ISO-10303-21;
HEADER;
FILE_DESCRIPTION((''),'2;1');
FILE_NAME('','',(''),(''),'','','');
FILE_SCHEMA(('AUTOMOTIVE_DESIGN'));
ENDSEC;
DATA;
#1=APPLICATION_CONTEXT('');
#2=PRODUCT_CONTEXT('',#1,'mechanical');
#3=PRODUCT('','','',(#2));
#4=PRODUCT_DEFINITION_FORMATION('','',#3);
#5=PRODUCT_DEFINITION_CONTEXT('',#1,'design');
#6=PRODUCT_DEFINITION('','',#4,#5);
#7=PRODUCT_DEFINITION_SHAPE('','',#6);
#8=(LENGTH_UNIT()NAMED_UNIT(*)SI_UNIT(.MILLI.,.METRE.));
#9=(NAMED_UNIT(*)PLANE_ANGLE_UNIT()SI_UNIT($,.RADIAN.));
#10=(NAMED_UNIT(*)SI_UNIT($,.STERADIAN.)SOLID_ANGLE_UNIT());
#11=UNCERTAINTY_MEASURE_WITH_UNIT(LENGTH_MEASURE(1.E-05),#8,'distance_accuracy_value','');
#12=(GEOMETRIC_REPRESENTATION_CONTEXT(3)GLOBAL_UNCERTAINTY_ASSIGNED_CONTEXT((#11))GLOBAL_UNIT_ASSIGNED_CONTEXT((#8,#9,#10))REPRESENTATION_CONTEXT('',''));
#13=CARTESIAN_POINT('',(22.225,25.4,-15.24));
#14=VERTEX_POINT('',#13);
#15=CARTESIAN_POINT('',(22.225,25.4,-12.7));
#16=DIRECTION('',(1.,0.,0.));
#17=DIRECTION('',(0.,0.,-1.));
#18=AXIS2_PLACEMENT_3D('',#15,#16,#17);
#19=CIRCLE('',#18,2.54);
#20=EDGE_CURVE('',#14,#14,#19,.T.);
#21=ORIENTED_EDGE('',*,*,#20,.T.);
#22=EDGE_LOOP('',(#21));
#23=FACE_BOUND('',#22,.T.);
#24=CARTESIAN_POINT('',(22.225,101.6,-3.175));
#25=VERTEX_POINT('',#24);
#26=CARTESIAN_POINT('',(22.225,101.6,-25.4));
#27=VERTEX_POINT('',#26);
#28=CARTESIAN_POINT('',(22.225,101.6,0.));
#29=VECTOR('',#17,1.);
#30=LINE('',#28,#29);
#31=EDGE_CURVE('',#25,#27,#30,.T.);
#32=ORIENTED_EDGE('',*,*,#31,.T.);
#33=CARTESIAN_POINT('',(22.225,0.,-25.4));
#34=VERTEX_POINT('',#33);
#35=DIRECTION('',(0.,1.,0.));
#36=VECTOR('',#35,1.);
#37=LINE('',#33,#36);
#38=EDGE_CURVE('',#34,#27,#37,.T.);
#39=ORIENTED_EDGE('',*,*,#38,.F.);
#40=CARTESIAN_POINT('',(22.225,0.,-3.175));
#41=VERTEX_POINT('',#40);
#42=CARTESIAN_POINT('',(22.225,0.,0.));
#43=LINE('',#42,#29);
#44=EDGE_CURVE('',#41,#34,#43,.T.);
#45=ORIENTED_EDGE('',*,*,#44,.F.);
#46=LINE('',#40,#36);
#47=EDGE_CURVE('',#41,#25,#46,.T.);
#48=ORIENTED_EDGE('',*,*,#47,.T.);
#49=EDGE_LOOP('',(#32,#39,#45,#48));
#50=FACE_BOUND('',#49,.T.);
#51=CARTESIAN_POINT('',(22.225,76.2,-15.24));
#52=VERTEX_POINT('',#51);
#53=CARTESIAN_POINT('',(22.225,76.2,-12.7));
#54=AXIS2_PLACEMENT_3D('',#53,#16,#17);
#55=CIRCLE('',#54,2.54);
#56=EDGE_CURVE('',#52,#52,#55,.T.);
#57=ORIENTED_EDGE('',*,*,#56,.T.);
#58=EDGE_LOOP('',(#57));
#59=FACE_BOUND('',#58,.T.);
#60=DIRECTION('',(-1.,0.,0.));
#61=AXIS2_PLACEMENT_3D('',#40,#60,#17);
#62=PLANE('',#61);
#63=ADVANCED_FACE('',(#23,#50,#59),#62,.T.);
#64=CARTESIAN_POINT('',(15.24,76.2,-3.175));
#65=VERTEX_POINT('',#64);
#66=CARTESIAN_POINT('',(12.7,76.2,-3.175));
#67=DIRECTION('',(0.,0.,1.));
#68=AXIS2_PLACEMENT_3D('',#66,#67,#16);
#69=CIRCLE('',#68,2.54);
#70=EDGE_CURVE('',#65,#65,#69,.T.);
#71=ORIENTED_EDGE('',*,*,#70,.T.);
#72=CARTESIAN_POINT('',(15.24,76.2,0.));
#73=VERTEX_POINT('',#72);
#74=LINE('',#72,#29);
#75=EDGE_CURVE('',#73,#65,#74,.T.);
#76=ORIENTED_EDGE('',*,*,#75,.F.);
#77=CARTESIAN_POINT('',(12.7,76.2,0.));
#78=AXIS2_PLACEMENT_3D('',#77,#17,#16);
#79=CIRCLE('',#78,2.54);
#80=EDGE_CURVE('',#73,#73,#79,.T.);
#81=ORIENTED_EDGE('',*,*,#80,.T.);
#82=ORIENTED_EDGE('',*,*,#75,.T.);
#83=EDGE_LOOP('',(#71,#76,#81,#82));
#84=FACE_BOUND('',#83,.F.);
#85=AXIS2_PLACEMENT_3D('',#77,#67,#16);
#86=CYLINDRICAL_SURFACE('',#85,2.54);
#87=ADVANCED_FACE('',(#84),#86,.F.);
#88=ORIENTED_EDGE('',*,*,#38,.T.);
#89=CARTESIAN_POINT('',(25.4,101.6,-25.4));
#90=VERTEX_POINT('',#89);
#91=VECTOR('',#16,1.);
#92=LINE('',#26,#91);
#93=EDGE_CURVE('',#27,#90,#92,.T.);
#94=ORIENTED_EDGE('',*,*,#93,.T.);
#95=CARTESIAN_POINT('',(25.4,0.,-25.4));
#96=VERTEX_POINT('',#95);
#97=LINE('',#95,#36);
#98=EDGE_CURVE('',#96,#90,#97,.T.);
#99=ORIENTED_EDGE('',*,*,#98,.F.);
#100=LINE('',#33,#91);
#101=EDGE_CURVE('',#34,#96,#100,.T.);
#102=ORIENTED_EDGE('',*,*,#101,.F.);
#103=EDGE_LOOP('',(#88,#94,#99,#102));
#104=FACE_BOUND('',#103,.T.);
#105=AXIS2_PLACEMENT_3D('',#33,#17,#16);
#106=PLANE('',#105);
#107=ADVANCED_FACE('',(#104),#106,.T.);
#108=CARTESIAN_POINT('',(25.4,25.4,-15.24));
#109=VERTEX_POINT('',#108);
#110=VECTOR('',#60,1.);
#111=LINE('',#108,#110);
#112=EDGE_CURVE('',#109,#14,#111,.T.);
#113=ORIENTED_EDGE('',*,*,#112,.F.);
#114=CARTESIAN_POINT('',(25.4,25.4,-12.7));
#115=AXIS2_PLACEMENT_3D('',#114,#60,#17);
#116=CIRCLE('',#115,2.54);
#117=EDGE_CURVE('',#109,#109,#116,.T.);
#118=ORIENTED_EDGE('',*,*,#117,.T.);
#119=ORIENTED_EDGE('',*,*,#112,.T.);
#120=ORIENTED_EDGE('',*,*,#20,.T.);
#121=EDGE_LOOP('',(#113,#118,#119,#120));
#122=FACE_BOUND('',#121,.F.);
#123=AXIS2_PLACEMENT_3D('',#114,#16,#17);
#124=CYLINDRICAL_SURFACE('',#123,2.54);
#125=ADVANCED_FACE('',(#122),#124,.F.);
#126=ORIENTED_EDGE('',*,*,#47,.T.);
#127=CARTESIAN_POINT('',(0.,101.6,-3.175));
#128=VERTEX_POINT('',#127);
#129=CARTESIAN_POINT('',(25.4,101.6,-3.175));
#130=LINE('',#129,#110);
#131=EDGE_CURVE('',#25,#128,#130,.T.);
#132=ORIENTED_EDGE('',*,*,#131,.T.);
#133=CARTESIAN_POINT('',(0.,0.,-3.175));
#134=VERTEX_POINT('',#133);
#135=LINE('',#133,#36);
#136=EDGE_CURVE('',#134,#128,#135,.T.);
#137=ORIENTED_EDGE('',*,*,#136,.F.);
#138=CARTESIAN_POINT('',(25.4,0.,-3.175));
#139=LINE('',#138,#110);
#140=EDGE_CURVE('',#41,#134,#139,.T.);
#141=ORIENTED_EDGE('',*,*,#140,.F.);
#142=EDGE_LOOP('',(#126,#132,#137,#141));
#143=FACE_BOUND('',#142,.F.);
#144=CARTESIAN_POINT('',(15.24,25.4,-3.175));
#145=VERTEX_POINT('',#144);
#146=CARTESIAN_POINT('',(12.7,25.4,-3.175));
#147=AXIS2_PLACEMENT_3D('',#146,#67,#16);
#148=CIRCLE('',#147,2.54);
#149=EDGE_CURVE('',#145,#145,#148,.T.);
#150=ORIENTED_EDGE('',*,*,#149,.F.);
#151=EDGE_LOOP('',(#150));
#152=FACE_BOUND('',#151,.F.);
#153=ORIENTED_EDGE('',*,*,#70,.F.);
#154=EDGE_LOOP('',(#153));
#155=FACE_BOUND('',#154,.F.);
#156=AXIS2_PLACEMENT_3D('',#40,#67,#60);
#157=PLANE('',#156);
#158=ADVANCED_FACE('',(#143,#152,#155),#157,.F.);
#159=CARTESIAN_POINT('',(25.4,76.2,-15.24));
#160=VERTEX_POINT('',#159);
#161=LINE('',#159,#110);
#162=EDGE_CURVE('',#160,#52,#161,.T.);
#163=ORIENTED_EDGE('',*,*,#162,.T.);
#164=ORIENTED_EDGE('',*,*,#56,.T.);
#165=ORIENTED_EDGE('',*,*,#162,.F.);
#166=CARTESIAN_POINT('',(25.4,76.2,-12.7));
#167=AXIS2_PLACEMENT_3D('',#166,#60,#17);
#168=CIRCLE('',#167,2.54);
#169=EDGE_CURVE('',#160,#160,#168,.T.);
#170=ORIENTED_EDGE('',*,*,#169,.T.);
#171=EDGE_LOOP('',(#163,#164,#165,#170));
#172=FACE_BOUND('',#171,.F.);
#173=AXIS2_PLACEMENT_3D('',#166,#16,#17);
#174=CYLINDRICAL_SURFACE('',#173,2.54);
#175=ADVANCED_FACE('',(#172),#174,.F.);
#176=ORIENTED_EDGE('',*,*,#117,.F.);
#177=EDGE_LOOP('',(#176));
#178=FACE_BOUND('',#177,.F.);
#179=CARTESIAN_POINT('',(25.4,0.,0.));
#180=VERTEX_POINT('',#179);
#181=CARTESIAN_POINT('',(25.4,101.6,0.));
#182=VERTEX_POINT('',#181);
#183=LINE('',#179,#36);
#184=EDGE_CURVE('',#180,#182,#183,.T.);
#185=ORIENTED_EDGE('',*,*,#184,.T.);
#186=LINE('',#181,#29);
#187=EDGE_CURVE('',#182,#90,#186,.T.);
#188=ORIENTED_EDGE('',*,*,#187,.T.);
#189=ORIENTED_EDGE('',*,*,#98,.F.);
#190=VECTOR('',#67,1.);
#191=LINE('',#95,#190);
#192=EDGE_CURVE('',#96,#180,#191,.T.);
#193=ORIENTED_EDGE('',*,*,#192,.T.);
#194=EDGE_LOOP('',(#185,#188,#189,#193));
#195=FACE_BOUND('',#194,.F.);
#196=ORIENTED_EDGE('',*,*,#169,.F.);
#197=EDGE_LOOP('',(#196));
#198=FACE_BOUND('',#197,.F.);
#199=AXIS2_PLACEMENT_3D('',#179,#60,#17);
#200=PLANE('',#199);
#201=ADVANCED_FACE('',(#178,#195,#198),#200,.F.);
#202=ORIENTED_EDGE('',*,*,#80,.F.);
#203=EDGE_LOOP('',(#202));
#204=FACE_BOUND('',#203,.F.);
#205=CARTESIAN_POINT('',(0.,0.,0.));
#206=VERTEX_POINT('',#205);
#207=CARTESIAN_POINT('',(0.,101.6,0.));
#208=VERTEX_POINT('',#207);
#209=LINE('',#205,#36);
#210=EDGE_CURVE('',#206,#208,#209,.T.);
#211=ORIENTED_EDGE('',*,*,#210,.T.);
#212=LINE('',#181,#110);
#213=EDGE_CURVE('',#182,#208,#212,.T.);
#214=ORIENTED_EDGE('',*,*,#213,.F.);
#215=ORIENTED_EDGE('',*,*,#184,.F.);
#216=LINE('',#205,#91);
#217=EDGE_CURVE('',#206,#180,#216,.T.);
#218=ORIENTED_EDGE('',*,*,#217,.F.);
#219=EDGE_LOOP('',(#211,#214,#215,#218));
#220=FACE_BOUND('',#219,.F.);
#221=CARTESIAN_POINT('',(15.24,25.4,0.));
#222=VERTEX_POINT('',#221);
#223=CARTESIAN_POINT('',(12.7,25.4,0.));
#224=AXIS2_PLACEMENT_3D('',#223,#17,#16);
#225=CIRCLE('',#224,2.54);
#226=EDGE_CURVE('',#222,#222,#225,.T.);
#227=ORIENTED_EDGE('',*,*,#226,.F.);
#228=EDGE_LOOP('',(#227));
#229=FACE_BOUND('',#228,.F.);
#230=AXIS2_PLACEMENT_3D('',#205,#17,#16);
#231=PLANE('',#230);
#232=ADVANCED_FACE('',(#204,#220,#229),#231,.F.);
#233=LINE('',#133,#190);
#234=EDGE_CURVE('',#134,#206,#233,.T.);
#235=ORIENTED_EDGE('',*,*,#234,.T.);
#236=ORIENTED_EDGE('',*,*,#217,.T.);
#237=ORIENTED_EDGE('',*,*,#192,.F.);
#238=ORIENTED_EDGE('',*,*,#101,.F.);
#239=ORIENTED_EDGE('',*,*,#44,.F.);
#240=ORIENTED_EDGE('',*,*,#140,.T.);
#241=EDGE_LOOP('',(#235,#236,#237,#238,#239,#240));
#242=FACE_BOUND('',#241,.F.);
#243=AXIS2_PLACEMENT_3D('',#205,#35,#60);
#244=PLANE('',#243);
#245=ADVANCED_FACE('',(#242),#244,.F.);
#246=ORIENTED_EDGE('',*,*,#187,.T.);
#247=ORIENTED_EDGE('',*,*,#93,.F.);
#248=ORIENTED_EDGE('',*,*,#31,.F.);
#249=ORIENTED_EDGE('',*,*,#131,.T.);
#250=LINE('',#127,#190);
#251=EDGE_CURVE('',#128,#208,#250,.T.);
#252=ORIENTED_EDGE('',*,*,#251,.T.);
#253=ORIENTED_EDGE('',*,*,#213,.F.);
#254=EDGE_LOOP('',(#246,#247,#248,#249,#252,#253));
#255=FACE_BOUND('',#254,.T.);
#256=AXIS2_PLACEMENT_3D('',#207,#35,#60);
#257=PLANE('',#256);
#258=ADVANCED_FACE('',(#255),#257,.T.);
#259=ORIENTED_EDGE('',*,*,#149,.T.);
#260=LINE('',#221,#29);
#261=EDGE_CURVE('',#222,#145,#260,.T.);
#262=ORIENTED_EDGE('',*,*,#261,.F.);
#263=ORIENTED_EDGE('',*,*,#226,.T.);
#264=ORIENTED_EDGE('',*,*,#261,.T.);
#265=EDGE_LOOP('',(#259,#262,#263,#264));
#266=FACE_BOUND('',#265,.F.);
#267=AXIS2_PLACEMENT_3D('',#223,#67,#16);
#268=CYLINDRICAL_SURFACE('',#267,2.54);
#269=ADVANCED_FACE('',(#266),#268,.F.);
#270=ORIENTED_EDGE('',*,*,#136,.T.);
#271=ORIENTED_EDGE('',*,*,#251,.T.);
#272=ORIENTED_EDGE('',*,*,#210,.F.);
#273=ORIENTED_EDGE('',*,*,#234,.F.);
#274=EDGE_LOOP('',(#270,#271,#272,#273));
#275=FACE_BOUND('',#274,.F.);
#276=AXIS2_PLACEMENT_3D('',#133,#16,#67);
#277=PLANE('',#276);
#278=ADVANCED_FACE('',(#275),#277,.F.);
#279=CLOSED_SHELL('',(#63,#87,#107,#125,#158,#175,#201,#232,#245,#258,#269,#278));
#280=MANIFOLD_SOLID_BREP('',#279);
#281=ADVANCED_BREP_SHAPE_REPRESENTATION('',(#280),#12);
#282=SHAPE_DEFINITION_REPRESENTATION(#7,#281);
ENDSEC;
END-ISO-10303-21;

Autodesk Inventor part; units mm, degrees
ref_plane "YZ Plane" through (0, 0, 0) normal (1, 0, 0) x (0, 1, 0)
ref_plane "XZ Plane" through (0, 0, 0) normal (0, 1, 0) x (-1, 0, 0)
ref_plane "XY Plane" through (0, 0, 0) normal (0, 0, 1) x (1, 0, 0)
sketch "Sketch1" plane through (0, 0, 0) normal (0, 1, 0) x (-1, 0, 0)
  line L0 (0, 0) -> (-25.4, 0)
  line L1 (-25.4, 0) -> (-25.4, -3.175)
  line L2 (-25.4, -3.175) -> (0, -3.175)
  line L3 (0, -3.175) -> (0, 0)
  line L4 (-25.4, 0) -> (-22.225, 0)
  line L5 (-22.225, 0) -> (-22.225, -25.4)
  line L6 (-22.225, -25.4) -> (-25.4, -25.4)
  line L7 (-25.4, -25.4) -> (-25.4, 0)
  dimension "d0" = 25.4
  dimension "d1" = 3.175
  dimension "d2" = 25.4
  dimension "d3" = 3.175
extrude "Extrusion1" add sketch "Sketch1" along normal blind 101.6
sketch "Sketch2" plane through (25.4, 0, 0) normal (1, 0, 0) x (0, 0, -1)
  line L0 (0, 0) -> (0, 101.6) projected
  line L1 (0, 101.6) -> (12.7, 101.6)
  line L2 (25.4, 101.6) -> (3.175, 101.6) projected
  line L3 (12.7, 101.6) -> (12.7, 76.2)
  line L4 (0, 0) -> (12.7, 0)
  line L5 (0, 0) -> (25.4, 0) projected
  line L6 (12.7, 0) -> (12.7, 25.4)
  circle A0 centre (12.7, 76.2) radius 2.54
  circle A1 centre (12.7, 25.4) radius 2.54
  dimension "d6" = 12.7
  dimension "d7" = 25.4
  dimension "d8" = 25.4
  dimension "d9" = 5.08
extrude "Extrusion2" cut sketch "Sketch2" against normal blind 25.4
sketch "Sketch3" plane through (0, 0, 0) normal (0, 0, 1) x (1, 0, 0)
  line L0 (0, 0) -> (0, 101.6) projected
  line L1 (0, 0) -> (12.7, 0)
  line L2 (0, 0) -> (25.4, 0) projected
  line L3 (12.7, 0) -> (12.7, 25.4)
  line L4 (0, 101.6) -> (25.4, 101.6) projected
  line L5 (12.7, 101.6) -> (12.7, 76.2)
  circle A0 centre (12.7, 76.2) radius 2.54
  circle A1 centre (12.7, 25.4) radius 2.54
  dimension "d12" = 25.4
  dimension "d13" = 25.4
  dimension "d14" = 5.08
extrude "Extrusion3" cut sketch "Sketch3" against normal blind 25.4
properties part number "L Bracket 4in" material "Aluminum 6061"
